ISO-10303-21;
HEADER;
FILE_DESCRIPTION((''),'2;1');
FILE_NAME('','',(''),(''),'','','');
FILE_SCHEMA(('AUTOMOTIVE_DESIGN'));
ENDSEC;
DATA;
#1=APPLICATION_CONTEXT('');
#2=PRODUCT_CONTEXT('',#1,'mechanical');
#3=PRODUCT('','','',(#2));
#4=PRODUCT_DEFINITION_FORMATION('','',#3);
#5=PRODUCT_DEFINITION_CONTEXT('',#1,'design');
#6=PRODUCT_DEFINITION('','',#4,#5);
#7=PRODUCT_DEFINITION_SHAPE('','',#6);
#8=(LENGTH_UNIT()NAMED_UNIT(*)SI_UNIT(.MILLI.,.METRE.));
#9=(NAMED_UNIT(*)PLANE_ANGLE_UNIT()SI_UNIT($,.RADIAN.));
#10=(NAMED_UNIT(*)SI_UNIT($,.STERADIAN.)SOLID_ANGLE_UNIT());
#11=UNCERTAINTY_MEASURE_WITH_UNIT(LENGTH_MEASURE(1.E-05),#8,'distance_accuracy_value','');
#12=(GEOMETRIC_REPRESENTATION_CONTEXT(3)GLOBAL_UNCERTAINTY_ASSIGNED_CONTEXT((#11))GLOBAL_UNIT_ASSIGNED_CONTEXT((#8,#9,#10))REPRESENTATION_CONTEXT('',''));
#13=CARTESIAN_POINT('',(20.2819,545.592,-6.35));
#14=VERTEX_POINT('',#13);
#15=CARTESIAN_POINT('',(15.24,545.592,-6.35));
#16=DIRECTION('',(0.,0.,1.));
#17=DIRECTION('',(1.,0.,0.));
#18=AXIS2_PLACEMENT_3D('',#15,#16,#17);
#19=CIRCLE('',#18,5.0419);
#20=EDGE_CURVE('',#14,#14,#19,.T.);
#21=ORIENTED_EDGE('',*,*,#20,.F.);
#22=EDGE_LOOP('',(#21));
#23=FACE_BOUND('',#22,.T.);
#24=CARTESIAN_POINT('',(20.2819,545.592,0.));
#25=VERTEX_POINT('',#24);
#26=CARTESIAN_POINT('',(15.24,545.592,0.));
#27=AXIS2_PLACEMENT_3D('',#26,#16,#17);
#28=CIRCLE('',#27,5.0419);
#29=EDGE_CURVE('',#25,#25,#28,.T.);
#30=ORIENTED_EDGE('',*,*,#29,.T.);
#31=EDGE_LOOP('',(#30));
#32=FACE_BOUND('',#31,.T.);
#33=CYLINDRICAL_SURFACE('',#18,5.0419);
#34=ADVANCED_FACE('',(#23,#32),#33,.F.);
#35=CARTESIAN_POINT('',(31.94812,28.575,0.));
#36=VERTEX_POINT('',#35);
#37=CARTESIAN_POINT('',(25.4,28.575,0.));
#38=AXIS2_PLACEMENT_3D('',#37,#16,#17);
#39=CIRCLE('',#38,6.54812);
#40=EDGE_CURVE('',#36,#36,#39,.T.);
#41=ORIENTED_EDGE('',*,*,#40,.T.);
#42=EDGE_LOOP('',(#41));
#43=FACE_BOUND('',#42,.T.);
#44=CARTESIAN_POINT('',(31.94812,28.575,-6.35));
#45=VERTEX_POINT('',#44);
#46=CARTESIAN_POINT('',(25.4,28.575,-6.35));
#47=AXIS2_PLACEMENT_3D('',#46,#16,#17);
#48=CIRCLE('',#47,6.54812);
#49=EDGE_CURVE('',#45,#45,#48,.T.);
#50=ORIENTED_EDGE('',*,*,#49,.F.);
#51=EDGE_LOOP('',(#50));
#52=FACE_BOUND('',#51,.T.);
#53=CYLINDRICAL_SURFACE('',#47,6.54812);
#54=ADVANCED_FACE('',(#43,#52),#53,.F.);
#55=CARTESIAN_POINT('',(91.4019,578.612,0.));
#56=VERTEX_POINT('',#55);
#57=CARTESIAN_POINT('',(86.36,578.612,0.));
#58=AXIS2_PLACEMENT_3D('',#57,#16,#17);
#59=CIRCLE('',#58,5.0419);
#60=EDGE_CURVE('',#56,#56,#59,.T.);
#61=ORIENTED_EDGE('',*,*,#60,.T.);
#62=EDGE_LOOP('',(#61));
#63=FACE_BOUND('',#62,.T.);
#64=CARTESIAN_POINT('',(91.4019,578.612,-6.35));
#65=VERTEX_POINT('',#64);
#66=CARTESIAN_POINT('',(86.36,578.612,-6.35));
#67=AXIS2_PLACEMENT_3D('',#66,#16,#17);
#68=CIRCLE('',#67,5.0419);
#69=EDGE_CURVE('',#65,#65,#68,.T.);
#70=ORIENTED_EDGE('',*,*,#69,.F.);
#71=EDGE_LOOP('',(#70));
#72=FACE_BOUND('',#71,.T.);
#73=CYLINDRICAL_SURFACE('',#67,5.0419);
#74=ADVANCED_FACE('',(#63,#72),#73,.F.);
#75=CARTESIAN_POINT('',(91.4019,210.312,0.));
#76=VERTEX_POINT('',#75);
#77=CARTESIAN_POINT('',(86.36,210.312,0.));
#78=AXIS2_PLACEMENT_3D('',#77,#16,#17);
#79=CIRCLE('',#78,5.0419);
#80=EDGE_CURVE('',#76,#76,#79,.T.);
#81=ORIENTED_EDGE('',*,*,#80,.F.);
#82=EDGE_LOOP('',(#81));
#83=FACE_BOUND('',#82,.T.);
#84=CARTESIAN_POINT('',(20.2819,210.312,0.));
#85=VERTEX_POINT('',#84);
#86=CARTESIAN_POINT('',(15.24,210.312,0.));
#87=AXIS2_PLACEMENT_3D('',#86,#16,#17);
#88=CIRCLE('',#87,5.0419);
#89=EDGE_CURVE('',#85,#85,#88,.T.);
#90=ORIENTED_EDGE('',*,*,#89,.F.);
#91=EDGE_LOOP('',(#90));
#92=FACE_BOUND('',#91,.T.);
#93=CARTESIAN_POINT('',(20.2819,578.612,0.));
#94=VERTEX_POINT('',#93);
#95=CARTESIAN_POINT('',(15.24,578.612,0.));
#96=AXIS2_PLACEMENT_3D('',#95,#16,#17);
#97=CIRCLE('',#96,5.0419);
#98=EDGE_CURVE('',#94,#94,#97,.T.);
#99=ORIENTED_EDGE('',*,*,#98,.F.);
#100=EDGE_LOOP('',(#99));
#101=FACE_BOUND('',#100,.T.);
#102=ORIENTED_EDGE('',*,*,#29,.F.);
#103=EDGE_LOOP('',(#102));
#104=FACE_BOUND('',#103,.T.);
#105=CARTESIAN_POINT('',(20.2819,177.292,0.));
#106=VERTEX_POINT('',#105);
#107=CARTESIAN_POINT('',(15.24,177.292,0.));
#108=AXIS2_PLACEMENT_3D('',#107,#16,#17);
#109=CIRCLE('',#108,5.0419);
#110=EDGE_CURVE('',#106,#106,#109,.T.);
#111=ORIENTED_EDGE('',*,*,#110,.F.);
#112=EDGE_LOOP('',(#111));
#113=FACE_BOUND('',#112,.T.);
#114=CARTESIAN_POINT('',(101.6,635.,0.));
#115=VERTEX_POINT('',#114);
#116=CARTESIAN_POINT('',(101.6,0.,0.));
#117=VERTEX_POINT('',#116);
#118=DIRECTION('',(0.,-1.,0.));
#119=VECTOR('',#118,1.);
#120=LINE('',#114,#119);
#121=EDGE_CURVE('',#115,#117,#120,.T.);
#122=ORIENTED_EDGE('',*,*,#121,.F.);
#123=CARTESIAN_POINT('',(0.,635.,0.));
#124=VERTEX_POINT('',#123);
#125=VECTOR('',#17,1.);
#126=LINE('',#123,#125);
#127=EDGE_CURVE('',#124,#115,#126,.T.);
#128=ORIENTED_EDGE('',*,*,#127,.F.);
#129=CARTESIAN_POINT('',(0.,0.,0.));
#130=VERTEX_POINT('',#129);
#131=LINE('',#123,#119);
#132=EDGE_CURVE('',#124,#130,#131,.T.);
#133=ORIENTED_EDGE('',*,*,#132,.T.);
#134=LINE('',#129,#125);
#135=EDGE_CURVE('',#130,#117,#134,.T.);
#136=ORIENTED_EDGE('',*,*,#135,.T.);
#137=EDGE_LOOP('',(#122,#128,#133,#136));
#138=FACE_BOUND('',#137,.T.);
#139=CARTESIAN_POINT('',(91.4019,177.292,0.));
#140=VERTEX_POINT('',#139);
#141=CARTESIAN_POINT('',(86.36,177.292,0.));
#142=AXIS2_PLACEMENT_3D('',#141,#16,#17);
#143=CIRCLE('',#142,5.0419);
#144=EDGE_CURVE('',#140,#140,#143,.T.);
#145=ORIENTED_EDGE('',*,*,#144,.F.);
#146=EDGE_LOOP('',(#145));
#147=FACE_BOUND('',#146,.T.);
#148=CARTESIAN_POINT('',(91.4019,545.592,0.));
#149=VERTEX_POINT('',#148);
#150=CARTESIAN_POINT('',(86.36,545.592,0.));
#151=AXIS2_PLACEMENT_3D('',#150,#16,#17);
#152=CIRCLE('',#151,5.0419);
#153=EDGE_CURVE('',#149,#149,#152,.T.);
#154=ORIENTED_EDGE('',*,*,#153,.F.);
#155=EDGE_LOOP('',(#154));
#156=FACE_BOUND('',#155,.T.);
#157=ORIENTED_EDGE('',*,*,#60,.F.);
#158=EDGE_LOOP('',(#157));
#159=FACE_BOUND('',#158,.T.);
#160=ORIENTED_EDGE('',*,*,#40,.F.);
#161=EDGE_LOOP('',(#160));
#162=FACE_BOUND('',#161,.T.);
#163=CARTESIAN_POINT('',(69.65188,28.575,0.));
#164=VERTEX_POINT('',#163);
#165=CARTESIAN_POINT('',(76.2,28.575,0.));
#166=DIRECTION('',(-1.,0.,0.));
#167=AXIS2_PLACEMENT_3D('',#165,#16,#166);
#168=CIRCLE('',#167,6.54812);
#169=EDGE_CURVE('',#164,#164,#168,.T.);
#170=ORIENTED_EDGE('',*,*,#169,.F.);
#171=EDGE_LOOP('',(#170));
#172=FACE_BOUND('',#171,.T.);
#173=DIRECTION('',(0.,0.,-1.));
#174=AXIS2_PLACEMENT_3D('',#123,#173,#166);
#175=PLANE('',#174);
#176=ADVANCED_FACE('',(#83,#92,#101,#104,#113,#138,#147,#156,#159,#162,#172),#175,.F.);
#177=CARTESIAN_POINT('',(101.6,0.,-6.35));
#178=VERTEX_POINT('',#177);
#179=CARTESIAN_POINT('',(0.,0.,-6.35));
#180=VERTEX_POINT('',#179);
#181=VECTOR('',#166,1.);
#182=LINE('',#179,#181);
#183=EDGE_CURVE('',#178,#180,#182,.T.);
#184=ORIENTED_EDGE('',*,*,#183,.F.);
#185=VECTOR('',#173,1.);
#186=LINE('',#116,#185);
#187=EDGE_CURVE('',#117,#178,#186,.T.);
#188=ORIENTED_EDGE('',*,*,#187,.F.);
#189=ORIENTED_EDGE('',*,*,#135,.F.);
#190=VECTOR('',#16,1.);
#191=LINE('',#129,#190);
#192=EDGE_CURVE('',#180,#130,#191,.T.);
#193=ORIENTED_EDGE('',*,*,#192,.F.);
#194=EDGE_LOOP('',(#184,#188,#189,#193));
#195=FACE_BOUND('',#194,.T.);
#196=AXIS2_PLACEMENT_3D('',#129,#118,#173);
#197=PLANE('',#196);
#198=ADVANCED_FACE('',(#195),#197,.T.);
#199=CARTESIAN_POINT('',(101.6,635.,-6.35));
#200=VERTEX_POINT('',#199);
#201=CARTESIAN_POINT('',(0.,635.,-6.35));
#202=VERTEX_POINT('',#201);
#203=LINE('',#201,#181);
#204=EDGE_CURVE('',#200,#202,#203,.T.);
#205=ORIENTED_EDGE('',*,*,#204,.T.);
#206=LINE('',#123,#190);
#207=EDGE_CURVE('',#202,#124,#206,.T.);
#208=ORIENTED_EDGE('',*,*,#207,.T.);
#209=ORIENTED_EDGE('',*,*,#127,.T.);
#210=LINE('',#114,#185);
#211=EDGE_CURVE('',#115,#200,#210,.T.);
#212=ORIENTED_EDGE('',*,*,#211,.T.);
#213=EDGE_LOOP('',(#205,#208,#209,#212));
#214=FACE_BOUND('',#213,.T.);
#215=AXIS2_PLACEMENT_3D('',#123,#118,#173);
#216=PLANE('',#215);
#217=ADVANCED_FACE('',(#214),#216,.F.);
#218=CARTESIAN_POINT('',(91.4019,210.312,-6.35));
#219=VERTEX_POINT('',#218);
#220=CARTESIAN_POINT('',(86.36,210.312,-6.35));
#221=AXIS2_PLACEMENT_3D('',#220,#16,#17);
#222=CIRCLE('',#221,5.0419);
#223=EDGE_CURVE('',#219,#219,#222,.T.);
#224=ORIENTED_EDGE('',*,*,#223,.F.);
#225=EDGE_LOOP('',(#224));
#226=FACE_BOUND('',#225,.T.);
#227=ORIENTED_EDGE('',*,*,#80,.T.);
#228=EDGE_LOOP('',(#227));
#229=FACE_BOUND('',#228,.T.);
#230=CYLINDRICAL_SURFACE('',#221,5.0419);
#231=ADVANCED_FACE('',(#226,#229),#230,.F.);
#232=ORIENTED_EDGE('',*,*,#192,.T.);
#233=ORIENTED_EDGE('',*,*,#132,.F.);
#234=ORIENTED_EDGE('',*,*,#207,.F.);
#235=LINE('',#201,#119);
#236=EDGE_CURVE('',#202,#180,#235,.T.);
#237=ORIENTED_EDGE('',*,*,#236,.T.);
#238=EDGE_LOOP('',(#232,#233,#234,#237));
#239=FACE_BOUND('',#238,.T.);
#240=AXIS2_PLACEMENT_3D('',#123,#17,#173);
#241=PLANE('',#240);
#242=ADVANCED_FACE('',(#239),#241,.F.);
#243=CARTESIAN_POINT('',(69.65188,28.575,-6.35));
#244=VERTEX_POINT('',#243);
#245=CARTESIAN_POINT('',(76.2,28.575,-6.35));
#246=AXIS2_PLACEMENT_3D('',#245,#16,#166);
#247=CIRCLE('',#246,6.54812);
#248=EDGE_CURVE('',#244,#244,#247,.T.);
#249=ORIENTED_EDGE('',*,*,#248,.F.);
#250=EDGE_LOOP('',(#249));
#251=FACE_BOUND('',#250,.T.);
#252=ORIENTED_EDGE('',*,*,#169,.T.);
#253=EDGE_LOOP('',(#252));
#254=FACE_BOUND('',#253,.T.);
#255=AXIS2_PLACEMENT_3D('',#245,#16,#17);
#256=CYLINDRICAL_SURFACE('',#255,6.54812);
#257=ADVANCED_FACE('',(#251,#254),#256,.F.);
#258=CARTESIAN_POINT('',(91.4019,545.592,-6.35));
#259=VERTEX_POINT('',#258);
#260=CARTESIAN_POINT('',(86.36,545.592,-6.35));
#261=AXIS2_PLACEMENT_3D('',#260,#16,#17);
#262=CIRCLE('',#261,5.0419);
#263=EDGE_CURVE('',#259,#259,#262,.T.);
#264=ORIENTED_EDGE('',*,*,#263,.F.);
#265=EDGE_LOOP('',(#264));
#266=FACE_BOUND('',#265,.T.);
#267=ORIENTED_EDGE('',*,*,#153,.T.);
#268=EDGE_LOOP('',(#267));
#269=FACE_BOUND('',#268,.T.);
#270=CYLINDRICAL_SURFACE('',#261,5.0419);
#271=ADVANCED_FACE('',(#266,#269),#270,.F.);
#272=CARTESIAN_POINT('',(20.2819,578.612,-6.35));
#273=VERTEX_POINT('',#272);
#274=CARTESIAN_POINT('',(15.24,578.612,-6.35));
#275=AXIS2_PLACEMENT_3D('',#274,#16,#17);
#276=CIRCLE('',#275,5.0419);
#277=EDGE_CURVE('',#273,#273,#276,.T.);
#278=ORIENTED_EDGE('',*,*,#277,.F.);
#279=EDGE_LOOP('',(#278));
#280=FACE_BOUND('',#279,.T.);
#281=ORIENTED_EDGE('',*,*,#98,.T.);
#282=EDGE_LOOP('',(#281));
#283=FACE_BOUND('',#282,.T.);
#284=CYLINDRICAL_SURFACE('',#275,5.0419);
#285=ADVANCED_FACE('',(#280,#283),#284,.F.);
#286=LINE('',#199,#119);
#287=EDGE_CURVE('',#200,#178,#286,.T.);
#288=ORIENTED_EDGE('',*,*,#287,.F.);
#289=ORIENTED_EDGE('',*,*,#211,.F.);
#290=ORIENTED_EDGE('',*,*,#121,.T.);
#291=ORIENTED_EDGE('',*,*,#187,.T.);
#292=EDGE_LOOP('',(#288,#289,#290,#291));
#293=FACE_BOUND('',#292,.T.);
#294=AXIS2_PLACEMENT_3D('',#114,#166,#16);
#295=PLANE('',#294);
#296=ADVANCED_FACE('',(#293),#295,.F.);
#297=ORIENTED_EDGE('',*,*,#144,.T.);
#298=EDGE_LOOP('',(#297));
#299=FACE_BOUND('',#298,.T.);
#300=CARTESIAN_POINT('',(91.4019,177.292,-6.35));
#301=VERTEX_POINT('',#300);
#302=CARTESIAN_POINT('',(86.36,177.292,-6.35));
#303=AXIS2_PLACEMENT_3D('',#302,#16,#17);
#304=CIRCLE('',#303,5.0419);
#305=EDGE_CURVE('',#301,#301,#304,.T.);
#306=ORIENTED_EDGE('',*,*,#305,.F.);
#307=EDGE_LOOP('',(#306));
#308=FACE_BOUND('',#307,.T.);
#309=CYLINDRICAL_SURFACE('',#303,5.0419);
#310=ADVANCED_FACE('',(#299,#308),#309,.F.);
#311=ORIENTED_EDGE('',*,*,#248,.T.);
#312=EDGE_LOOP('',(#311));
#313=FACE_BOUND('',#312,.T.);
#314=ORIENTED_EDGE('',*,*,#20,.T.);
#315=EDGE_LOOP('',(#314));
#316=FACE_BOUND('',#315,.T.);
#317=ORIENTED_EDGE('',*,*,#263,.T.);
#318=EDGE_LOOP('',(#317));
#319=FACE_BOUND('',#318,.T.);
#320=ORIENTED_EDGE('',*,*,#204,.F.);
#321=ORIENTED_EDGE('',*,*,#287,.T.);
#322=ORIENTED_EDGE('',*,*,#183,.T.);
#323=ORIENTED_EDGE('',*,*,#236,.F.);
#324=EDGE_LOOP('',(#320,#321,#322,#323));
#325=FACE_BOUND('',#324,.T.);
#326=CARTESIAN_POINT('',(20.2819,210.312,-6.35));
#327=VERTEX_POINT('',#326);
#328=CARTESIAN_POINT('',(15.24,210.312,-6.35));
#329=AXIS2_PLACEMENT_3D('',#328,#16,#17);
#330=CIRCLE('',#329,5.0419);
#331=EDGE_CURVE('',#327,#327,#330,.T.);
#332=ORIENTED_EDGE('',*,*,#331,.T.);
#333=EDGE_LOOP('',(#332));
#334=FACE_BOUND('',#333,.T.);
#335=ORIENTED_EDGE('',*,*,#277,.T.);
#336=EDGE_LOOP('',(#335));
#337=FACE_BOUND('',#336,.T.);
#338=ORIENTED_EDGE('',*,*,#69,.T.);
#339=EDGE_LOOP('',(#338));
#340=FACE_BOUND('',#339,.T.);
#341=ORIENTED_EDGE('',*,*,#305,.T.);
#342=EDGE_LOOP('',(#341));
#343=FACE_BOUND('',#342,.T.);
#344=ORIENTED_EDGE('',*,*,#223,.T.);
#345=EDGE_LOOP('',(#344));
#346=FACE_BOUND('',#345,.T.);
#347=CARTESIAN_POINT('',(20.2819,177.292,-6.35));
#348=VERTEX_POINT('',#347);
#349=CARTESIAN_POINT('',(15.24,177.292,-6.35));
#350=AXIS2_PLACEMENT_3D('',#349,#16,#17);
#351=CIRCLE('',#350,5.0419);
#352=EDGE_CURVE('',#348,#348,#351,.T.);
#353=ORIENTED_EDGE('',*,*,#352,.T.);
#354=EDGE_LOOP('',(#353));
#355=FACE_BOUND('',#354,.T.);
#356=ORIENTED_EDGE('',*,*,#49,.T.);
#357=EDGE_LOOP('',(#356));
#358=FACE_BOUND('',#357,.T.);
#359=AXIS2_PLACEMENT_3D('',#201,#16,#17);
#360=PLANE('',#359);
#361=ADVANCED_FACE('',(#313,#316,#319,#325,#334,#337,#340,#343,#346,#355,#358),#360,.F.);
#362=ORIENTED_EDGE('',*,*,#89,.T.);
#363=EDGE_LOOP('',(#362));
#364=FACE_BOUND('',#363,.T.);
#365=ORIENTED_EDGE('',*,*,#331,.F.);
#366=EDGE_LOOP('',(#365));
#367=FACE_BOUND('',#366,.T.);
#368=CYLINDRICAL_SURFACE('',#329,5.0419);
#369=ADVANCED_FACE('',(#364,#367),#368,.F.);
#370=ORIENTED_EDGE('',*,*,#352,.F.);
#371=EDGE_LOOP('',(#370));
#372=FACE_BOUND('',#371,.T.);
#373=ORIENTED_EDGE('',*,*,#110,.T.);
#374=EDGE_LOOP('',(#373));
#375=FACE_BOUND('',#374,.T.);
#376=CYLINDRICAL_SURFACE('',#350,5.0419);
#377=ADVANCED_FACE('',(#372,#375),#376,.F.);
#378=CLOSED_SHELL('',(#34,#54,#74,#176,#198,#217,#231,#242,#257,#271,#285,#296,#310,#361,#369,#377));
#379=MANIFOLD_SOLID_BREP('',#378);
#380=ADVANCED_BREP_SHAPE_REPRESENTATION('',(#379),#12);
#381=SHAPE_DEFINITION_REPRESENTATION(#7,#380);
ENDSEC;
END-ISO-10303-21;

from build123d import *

# Parameters (mm, degrees)
SKETCH1_W           = 101.6
SKETCH1_H           = 6.35
BOSS_EXTRUDE1_DEPTH = 635
SKETCH2_R           = 6.54812
SKETCH2_R_2         = 5.0419
CUT_EXTRUDE1_DEPTH  = 6.35


with BuildPart() as part:
    # Sketch1 → Boss-Extrude1 (new body)
    with BuildSketch(Plane(origin=(0, 0, 0), x_dir=(1, 0, 0), z_dir=(0, 1, 0))):
        with Locations((50.8, 3.175)):
            Rectangle(SKETCH1_W, SKETCH1_H)
    extrude(amount=BOSS_EXTRUDE1_DEPTH)

    # Sketch2 → Cut-Extrude1 (cut)
    with BuildSketch(Plane.XY):
        with Locations((25.4, 28.575)):
            Circle(SKETCH2_R)
        with Locations((76.2, 28.575)):
            Circle(SKETCH2_R)
        with Locations((15.24, 210.312)):
            Circle(SKETCH2_R_2)
        with Locations((86.36, 210.312)):
            Circle(SKETCH2_R_2)
        with Locations((15.24, 177.292)):
            Circle(SKETCH2_R_2)
        with Locations((86.36, 177.292)):
            Circle(SKETCH2_R_2)
        with Locations((15.24, 578.612)):
            Circle(SKETCH2_R_2)
        with Locations((15.24, 545.592)):
            Circle(SKETCH2_R_2)
        with Locations((86.36, 578.612)):
            Circle(SKETCH2_R_2)
        with Locations((86.36, 545.592)):
            Circle(SKETCH2_R_2)
    extrude(amount=-CUT_EXTRUDE1_DEPTH, mode=Mode.SUBTRACT)


solid = part.part
